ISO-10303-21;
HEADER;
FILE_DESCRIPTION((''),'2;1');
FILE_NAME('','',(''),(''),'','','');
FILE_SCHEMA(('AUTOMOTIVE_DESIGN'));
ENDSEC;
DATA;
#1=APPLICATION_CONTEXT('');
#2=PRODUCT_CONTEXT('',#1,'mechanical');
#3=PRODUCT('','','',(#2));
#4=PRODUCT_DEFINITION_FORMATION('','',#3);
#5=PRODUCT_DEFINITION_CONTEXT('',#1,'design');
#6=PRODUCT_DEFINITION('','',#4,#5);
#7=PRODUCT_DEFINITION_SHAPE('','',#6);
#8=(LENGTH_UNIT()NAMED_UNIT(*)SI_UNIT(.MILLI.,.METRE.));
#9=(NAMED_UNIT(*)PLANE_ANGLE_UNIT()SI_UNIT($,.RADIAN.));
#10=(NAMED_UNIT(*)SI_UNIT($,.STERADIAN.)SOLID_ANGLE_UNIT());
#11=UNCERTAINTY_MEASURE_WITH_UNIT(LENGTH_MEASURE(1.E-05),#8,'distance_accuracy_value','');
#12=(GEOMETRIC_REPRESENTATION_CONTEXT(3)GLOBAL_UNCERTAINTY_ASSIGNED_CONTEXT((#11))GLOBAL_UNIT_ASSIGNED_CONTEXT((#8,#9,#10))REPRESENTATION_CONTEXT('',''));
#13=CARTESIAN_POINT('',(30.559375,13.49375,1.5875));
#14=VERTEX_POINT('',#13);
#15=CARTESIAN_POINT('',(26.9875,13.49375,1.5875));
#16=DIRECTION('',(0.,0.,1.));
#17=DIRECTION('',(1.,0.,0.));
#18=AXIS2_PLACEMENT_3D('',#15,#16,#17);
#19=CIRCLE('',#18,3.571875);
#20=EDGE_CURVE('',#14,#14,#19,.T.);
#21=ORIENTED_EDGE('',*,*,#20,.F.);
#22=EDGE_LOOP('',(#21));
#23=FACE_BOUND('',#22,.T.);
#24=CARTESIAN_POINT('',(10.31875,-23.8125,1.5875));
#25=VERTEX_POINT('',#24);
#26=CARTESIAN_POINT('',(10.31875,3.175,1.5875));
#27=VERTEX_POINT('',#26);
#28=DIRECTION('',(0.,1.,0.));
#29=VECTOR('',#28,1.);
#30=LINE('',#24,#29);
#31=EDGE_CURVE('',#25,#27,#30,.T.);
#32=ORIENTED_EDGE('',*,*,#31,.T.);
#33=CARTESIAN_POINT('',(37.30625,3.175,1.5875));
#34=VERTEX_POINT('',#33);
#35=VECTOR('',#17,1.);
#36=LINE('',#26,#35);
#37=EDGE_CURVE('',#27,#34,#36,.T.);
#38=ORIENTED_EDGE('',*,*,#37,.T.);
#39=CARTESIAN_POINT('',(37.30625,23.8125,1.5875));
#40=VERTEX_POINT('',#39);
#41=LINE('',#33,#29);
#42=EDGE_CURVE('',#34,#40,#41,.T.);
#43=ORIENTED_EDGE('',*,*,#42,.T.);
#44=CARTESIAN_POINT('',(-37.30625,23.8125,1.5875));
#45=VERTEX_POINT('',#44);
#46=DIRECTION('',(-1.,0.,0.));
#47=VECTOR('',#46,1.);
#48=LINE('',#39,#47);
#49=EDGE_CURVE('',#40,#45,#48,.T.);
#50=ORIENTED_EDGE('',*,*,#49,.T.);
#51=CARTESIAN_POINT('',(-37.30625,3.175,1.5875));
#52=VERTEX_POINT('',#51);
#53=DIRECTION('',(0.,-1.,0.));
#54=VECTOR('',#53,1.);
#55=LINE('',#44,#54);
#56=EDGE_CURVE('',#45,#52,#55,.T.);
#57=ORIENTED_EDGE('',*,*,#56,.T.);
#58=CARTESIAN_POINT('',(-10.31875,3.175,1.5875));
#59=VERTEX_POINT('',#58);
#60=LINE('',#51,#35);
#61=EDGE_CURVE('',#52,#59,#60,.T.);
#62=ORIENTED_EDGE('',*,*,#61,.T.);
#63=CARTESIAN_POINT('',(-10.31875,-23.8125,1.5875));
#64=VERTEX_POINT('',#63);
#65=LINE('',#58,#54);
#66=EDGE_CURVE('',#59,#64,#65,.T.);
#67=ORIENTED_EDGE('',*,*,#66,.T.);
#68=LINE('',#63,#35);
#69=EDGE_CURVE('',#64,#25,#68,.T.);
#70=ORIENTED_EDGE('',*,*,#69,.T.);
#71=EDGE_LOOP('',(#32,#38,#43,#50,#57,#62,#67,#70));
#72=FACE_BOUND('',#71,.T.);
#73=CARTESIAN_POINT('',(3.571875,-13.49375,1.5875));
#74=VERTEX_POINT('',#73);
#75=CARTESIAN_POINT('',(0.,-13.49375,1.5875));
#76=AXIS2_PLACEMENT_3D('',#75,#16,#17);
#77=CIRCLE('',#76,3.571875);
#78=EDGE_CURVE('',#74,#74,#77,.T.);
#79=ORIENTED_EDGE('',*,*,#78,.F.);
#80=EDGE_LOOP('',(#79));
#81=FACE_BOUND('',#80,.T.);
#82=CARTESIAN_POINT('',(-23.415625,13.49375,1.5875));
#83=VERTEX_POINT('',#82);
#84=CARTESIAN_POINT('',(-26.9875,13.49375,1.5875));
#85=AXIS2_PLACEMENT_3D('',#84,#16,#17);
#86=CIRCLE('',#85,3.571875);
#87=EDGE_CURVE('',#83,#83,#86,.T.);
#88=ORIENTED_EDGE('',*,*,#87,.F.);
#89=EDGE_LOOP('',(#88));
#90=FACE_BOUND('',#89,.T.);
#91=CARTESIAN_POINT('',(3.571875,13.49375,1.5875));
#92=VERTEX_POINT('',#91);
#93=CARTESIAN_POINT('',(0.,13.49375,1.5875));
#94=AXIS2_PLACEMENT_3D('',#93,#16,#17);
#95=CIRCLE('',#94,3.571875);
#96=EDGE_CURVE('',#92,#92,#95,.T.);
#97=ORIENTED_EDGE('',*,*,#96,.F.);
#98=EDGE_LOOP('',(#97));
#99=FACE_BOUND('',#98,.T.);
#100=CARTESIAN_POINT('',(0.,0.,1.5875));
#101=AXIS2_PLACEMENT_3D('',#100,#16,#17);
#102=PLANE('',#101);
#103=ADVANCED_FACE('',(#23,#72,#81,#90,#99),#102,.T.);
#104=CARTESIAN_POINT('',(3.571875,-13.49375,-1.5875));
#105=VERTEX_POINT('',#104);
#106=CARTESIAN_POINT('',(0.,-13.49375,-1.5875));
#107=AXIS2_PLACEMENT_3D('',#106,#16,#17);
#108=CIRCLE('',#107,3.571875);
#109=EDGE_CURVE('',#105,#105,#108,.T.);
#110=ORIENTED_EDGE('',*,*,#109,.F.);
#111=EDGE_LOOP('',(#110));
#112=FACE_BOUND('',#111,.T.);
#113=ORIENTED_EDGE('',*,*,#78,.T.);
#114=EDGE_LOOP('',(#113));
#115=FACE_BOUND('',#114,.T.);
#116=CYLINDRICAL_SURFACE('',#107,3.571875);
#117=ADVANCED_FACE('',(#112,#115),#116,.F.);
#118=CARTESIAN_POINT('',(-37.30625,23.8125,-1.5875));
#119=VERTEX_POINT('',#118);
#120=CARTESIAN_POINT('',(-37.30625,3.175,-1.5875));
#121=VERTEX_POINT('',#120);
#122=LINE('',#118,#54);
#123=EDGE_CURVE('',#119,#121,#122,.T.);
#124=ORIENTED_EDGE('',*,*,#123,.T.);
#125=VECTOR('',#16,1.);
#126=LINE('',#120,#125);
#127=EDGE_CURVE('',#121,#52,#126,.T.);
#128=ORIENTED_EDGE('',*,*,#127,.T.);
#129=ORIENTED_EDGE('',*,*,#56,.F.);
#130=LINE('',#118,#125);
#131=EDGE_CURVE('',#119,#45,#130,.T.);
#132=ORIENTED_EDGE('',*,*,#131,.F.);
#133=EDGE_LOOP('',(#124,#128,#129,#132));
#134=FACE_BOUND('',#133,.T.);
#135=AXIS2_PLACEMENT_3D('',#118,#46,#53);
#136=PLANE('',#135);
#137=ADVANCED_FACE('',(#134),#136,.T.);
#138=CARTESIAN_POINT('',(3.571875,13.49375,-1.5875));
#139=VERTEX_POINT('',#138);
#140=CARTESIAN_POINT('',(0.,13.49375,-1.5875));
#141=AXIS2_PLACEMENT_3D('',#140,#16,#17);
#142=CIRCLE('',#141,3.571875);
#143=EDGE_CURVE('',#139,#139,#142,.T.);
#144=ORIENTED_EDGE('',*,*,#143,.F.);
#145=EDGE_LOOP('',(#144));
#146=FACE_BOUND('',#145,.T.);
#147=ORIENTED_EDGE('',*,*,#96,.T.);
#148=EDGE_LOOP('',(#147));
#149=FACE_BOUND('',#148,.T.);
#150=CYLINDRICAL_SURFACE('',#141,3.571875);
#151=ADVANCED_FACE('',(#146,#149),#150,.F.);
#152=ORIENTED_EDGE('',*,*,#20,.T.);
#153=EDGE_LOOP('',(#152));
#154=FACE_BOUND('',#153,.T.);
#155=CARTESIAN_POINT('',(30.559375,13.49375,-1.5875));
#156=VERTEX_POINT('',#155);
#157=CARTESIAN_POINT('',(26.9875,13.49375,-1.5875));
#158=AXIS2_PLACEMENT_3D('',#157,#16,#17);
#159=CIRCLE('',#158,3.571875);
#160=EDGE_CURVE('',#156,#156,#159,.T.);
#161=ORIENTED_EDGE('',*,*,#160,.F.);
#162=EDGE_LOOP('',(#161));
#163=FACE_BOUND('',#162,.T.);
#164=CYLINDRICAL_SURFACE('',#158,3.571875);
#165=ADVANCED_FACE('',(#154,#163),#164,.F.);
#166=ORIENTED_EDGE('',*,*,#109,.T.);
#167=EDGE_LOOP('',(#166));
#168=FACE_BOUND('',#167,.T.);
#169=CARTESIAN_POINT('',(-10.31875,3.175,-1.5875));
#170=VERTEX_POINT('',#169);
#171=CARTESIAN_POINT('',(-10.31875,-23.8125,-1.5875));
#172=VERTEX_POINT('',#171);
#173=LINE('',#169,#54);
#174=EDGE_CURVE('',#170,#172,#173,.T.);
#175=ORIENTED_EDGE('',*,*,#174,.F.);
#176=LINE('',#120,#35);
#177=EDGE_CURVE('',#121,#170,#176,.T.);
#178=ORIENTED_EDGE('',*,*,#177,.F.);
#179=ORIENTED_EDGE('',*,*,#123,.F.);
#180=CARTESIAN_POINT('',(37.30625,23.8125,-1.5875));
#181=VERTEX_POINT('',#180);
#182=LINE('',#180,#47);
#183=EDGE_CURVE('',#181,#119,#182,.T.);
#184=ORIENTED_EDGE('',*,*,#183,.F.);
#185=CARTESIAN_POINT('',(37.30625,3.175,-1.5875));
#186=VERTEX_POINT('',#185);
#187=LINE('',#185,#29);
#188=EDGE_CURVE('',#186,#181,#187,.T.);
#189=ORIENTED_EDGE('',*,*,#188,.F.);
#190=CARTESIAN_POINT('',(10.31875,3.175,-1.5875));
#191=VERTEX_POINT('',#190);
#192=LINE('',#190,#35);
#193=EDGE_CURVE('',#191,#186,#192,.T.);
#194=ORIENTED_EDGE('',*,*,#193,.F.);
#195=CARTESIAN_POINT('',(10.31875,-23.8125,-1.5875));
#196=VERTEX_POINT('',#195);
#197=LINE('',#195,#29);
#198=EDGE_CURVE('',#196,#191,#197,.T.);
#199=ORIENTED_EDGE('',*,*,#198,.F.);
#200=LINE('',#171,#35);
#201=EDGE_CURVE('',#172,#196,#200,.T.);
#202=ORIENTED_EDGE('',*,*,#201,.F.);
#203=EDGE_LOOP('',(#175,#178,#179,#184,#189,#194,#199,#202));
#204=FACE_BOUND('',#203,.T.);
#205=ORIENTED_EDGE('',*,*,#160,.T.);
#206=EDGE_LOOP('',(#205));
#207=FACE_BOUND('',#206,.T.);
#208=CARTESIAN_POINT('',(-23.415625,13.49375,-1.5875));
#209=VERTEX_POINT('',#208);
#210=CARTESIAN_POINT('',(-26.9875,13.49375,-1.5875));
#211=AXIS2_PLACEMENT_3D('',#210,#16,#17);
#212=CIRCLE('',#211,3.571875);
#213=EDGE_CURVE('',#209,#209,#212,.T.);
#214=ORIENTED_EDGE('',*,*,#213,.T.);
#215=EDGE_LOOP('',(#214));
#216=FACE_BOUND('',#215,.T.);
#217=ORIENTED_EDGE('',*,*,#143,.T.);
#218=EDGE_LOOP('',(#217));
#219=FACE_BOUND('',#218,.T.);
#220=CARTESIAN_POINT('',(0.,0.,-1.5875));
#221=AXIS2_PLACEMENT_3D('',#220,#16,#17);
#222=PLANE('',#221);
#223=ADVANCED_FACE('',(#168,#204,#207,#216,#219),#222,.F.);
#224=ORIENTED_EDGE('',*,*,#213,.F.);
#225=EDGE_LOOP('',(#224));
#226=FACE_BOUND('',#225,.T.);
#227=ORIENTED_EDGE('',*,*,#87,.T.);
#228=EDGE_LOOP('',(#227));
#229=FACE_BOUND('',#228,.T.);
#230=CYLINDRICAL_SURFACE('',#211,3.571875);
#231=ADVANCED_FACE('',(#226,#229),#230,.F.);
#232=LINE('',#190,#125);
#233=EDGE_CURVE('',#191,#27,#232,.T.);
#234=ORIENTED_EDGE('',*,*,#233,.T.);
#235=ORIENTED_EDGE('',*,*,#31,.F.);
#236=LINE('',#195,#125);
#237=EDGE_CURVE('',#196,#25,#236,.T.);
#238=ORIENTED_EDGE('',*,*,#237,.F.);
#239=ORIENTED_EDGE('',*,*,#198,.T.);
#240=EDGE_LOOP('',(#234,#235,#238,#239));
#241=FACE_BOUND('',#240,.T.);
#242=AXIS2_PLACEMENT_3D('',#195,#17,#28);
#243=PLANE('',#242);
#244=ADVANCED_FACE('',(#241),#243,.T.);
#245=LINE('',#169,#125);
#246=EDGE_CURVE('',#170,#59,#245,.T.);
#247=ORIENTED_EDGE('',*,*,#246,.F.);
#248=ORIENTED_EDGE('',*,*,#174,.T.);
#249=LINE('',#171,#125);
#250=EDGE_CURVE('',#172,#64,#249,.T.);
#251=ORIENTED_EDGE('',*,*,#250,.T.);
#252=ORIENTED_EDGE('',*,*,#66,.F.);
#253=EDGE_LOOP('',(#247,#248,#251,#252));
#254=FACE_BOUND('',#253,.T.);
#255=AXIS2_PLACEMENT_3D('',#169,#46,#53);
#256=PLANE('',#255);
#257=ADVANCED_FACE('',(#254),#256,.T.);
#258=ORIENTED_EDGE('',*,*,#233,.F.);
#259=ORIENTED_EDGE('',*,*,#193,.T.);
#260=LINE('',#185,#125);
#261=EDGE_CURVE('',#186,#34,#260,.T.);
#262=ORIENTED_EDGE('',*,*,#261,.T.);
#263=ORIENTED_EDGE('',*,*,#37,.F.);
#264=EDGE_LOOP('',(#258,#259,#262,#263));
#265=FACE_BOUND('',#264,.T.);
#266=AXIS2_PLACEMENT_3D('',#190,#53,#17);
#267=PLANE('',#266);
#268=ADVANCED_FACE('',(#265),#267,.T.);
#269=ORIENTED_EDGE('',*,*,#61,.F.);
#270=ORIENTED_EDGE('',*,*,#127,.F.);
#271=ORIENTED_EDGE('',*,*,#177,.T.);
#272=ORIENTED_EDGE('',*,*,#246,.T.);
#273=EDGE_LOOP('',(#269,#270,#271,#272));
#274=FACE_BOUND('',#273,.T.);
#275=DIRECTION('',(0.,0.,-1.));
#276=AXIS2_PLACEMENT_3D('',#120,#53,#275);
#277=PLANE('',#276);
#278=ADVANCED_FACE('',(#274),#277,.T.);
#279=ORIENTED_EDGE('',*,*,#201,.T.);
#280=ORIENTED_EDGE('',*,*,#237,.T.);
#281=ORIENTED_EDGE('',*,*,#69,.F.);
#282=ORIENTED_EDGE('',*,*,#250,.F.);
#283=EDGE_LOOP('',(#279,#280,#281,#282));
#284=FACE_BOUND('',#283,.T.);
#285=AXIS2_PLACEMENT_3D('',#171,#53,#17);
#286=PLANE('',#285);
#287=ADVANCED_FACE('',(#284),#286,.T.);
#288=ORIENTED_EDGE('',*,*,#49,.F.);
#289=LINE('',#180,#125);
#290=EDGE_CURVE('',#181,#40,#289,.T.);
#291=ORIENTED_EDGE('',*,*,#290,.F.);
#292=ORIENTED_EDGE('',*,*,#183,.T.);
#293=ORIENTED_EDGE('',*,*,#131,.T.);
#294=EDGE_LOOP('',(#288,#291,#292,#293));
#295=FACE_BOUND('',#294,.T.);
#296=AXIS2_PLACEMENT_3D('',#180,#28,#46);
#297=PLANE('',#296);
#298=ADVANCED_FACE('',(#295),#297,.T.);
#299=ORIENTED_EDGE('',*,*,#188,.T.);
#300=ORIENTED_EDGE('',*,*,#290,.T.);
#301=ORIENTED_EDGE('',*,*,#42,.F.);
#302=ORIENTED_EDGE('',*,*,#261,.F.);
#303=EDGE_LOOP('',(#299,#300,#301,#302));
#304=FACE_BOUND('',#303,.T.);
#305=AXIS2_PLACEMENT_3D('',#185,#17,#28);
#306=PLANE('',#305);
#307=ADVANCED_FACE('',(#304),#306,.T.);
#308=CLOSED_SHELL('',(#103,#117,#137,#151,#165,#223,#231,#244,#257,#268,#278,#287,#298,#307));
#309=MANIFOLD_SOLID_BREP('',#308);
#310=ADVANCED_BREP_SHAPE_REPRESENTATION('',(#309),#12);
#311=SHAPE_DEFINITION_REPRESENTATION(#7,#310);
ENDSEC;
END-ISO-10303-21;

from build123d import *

# Parameters (mm, degrees)
BOSS_EXTRUDE1_DEPTH      = 1.5875
BOSS_EXTRUDE1_DEPTH_BACK = 1.5875
SKETCH3_R                = 3.571875


with BuildPart() as part:
    # Sketch3 → Boss-Extrude1 (new, two sides: drawn at the far end of the back side and taken through both)
    with BuildSketch(Plane.XY.offset(-BOSS_EXTRUDE1_DEPTH_BACK)):
        Polygon((-10.31875, -23.8125), (10.31875, -23.8125), (10.31875, 3.175), (37.30625, 3.175), (37.30625, 23.8125), (-37.30625, 23.8125), (-37.30625, 3.175), (-10.31875, 3.175), align=None)
        with Locations((26.9875, 13.49375)):
            Circle(SKETCH3_R, mode=Mode.SUBTRACT)
        with Locations((0, -13.49375)):
            Circle(SKETCH3_R, mode=Mode.SUBTRACT)
        with Locations((-26.9875, 13.49375)):
            Circle(SKETCH3_R, mode=Mode.SUBTRACT)
        with Locations((0, 13.49375)):
            Circle(SKETCH3_R, mode=Mode.SUBTRACT)
    extrude(amount=BOSS_EXTRUDE1_DEPTH + BOSS_EXTRUDE1_DEPTH_BACK)


solid = part.part
